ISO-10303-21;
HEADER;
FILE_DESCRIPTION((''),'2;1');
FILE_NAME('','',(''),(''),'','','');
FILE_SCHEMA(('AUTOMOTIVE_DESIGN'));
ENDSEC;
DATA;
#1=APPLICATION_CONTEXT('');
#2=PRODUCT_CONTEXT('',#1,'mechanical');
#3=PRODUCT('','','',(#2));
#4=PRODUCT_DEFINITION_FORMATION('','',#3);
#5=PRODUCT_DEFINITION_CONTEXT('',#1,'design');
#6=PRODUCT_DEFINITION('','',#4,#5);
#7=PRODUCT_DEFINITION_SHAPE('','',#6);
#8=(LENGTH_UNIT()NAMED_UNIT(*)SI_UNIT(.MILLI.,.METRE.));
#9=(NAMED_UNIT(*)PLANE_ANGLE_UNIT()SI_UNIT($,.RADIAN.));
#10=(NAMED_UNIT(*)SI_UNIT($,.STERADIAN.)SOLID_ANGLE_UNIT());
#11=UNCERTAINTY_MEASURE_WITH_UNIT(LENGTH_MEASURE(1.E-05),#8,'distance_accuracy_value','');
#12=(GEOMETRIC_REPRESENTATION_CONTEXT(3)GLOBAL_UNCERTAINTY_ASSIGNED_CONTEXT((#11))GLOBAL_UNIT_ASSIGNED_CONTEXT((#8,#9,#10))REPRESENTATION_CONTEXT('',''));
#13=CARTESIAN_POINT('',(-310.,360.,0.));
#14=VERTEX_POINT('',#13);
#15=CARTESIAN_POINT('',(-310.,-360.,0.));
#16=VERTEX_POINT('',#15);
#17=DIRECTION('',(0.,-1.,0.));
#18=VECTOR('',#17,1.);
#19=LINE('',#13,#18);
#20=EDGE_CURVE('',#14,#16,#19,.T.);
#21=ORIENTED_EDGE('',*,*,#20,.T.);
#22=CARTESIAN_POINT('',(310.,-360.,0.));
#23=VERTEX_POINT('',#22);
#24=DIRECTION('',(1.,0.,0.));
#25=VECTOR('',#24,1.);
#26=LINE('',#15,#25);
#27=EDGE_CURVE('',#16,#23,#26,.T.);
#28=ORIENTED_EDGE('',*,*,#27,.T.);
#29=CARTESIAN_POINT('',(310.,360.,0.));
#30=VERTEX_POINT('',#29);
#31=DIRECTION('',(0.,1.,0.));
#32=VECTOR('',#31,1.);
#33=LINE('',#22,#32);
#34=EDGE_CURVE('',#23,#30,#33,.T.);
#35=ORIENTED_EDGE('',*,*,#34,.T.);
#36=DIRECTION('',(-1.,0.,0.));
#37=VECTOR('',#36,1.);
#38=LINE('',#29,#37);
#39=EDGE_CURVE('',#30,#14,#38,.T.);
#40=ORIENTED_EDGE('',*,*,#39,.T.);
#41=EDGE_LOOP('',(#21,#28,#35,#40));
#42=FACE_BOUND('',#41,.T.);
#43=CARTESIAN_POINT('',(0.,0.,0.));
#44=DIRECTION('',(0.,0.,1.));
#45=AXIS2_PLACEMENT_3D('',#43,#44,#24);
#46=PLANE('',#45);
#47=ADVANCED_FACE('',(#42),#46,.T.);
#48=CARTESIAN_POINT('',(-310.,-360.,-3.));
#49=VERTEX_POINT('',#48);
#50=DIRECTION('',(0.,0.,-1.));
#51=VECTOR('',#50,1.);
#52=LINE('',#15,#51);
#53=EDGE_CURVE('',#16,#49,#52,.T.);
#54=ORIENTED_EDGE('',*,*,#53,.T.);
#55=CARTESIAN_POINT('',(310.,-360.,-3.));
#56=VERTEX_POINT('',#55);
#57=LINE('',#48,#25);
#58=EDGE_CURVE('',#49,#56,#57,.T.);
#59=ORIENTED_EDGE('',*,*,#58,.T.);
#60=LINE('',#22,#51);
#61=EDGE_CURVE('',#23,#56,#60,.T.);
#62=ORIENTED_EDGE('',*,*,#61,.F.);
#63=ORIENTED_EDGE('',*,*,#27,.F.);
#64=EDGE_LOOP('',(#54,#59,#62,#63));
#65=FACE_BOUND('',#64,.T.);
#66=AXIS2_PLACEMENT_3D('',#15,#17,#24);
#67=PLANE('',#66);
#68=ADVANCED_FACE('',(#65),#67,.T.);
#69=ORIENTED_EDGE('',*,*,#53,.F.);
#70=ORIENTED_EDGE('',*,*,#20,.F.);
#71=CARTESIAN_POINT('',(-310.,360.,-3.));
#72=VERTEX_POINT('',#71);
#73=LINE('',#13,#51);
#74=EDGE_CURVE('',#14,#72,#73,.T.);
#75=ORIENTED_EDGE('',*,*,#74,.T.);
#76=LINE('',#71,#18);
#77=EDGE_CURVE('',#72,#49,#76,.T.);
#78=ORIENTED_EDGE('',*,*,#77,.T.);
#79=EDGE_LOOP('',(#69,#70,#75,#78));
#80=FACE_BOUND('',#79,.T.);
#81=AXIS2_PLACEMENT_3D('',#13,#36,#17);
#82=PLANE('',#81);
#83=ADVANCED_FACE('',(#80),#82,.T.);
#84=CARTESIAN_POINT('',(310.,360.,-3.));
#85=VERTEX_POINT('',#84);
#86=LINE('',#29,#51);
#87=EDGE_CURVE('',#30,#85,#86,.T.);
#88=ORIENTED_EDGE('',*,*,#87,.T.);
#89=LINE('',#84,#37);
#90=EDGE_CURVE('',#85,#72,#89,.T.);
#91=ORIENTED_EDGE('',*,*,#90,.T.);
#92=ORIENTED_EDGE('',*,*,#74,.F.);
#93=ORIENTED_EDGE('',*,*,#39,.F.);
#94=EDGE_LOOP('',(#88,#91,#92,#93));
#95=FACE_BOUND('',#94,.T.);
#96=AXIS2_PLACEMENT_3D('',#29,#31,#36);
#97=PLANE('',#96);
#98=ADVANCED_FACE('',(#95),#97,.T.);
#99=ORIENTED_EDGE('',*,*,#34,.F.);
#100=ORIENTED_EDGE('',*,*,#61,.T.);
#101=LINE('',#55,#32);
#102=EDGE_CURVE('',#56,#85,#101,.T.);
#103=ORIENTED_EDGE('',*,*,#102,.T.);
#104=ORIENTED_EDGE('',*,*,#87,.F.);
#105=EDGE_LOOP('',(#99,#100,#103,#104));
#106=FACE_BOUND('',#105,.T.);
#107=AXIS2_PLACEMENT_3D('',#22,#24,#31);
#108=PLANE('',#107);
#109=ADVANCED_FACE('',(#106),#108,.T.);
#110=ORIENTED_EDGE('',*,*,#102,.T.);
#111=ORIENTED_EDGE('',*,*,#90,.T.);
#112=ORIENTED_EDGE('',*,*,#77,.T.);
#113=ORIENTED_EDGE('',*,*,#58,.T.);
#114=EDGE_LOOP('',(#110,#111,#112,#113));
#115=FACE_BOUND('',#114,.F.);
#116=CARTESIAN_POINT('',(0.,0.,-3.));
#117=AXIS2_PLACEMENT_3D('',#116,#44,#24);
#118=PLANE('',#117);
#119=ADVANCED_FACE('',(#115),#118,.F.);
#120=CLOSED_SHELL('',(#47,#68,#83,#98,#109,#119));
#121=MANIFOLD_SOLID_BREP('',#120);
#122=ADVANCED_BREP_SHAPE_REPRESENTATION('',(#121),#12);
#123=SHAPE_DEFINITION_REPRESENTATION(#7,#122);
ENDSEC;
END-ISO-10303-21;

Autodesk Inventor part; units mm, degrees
ref_plane "YZ Plane" through (0, 0, 0) normal (1, 0, 0) x (0, 1, 0)
ref_plane "XZ Plane" through (0, 0, 0) normal (0, 1, 0) x (-1, 0, 0)
ref_plane "XY Plane" through (0, 0, 0) normal (0, 0, 1) x (1, 0, 0)
sketch "Sketch1" plane through (0, 0, 0) normal (0, 0, 1) x (1, 0, 0)
  line L0 (-310, -360) -> (310, -360)
  line L1 (310, -360) -> (310, 360)
  line L2 (310, 360) -> (-310, 360)
  line L3 (-310, 360) -> (-310, -360)
  line L4 (-310, -360) -> (310, 360) construction
  line L5 (310, -360) -> (-310, 360) construction
  point P0 (0, 0)
  dimension "d0" = 620
  dimension "d1" = 720
extrude "Extrusion1" add sketch "Sketch1" against normal blind 3
properties part number "RT_FRM_V5_MC_01_DynamicsRear" material "Polycarbonate, Clear"
